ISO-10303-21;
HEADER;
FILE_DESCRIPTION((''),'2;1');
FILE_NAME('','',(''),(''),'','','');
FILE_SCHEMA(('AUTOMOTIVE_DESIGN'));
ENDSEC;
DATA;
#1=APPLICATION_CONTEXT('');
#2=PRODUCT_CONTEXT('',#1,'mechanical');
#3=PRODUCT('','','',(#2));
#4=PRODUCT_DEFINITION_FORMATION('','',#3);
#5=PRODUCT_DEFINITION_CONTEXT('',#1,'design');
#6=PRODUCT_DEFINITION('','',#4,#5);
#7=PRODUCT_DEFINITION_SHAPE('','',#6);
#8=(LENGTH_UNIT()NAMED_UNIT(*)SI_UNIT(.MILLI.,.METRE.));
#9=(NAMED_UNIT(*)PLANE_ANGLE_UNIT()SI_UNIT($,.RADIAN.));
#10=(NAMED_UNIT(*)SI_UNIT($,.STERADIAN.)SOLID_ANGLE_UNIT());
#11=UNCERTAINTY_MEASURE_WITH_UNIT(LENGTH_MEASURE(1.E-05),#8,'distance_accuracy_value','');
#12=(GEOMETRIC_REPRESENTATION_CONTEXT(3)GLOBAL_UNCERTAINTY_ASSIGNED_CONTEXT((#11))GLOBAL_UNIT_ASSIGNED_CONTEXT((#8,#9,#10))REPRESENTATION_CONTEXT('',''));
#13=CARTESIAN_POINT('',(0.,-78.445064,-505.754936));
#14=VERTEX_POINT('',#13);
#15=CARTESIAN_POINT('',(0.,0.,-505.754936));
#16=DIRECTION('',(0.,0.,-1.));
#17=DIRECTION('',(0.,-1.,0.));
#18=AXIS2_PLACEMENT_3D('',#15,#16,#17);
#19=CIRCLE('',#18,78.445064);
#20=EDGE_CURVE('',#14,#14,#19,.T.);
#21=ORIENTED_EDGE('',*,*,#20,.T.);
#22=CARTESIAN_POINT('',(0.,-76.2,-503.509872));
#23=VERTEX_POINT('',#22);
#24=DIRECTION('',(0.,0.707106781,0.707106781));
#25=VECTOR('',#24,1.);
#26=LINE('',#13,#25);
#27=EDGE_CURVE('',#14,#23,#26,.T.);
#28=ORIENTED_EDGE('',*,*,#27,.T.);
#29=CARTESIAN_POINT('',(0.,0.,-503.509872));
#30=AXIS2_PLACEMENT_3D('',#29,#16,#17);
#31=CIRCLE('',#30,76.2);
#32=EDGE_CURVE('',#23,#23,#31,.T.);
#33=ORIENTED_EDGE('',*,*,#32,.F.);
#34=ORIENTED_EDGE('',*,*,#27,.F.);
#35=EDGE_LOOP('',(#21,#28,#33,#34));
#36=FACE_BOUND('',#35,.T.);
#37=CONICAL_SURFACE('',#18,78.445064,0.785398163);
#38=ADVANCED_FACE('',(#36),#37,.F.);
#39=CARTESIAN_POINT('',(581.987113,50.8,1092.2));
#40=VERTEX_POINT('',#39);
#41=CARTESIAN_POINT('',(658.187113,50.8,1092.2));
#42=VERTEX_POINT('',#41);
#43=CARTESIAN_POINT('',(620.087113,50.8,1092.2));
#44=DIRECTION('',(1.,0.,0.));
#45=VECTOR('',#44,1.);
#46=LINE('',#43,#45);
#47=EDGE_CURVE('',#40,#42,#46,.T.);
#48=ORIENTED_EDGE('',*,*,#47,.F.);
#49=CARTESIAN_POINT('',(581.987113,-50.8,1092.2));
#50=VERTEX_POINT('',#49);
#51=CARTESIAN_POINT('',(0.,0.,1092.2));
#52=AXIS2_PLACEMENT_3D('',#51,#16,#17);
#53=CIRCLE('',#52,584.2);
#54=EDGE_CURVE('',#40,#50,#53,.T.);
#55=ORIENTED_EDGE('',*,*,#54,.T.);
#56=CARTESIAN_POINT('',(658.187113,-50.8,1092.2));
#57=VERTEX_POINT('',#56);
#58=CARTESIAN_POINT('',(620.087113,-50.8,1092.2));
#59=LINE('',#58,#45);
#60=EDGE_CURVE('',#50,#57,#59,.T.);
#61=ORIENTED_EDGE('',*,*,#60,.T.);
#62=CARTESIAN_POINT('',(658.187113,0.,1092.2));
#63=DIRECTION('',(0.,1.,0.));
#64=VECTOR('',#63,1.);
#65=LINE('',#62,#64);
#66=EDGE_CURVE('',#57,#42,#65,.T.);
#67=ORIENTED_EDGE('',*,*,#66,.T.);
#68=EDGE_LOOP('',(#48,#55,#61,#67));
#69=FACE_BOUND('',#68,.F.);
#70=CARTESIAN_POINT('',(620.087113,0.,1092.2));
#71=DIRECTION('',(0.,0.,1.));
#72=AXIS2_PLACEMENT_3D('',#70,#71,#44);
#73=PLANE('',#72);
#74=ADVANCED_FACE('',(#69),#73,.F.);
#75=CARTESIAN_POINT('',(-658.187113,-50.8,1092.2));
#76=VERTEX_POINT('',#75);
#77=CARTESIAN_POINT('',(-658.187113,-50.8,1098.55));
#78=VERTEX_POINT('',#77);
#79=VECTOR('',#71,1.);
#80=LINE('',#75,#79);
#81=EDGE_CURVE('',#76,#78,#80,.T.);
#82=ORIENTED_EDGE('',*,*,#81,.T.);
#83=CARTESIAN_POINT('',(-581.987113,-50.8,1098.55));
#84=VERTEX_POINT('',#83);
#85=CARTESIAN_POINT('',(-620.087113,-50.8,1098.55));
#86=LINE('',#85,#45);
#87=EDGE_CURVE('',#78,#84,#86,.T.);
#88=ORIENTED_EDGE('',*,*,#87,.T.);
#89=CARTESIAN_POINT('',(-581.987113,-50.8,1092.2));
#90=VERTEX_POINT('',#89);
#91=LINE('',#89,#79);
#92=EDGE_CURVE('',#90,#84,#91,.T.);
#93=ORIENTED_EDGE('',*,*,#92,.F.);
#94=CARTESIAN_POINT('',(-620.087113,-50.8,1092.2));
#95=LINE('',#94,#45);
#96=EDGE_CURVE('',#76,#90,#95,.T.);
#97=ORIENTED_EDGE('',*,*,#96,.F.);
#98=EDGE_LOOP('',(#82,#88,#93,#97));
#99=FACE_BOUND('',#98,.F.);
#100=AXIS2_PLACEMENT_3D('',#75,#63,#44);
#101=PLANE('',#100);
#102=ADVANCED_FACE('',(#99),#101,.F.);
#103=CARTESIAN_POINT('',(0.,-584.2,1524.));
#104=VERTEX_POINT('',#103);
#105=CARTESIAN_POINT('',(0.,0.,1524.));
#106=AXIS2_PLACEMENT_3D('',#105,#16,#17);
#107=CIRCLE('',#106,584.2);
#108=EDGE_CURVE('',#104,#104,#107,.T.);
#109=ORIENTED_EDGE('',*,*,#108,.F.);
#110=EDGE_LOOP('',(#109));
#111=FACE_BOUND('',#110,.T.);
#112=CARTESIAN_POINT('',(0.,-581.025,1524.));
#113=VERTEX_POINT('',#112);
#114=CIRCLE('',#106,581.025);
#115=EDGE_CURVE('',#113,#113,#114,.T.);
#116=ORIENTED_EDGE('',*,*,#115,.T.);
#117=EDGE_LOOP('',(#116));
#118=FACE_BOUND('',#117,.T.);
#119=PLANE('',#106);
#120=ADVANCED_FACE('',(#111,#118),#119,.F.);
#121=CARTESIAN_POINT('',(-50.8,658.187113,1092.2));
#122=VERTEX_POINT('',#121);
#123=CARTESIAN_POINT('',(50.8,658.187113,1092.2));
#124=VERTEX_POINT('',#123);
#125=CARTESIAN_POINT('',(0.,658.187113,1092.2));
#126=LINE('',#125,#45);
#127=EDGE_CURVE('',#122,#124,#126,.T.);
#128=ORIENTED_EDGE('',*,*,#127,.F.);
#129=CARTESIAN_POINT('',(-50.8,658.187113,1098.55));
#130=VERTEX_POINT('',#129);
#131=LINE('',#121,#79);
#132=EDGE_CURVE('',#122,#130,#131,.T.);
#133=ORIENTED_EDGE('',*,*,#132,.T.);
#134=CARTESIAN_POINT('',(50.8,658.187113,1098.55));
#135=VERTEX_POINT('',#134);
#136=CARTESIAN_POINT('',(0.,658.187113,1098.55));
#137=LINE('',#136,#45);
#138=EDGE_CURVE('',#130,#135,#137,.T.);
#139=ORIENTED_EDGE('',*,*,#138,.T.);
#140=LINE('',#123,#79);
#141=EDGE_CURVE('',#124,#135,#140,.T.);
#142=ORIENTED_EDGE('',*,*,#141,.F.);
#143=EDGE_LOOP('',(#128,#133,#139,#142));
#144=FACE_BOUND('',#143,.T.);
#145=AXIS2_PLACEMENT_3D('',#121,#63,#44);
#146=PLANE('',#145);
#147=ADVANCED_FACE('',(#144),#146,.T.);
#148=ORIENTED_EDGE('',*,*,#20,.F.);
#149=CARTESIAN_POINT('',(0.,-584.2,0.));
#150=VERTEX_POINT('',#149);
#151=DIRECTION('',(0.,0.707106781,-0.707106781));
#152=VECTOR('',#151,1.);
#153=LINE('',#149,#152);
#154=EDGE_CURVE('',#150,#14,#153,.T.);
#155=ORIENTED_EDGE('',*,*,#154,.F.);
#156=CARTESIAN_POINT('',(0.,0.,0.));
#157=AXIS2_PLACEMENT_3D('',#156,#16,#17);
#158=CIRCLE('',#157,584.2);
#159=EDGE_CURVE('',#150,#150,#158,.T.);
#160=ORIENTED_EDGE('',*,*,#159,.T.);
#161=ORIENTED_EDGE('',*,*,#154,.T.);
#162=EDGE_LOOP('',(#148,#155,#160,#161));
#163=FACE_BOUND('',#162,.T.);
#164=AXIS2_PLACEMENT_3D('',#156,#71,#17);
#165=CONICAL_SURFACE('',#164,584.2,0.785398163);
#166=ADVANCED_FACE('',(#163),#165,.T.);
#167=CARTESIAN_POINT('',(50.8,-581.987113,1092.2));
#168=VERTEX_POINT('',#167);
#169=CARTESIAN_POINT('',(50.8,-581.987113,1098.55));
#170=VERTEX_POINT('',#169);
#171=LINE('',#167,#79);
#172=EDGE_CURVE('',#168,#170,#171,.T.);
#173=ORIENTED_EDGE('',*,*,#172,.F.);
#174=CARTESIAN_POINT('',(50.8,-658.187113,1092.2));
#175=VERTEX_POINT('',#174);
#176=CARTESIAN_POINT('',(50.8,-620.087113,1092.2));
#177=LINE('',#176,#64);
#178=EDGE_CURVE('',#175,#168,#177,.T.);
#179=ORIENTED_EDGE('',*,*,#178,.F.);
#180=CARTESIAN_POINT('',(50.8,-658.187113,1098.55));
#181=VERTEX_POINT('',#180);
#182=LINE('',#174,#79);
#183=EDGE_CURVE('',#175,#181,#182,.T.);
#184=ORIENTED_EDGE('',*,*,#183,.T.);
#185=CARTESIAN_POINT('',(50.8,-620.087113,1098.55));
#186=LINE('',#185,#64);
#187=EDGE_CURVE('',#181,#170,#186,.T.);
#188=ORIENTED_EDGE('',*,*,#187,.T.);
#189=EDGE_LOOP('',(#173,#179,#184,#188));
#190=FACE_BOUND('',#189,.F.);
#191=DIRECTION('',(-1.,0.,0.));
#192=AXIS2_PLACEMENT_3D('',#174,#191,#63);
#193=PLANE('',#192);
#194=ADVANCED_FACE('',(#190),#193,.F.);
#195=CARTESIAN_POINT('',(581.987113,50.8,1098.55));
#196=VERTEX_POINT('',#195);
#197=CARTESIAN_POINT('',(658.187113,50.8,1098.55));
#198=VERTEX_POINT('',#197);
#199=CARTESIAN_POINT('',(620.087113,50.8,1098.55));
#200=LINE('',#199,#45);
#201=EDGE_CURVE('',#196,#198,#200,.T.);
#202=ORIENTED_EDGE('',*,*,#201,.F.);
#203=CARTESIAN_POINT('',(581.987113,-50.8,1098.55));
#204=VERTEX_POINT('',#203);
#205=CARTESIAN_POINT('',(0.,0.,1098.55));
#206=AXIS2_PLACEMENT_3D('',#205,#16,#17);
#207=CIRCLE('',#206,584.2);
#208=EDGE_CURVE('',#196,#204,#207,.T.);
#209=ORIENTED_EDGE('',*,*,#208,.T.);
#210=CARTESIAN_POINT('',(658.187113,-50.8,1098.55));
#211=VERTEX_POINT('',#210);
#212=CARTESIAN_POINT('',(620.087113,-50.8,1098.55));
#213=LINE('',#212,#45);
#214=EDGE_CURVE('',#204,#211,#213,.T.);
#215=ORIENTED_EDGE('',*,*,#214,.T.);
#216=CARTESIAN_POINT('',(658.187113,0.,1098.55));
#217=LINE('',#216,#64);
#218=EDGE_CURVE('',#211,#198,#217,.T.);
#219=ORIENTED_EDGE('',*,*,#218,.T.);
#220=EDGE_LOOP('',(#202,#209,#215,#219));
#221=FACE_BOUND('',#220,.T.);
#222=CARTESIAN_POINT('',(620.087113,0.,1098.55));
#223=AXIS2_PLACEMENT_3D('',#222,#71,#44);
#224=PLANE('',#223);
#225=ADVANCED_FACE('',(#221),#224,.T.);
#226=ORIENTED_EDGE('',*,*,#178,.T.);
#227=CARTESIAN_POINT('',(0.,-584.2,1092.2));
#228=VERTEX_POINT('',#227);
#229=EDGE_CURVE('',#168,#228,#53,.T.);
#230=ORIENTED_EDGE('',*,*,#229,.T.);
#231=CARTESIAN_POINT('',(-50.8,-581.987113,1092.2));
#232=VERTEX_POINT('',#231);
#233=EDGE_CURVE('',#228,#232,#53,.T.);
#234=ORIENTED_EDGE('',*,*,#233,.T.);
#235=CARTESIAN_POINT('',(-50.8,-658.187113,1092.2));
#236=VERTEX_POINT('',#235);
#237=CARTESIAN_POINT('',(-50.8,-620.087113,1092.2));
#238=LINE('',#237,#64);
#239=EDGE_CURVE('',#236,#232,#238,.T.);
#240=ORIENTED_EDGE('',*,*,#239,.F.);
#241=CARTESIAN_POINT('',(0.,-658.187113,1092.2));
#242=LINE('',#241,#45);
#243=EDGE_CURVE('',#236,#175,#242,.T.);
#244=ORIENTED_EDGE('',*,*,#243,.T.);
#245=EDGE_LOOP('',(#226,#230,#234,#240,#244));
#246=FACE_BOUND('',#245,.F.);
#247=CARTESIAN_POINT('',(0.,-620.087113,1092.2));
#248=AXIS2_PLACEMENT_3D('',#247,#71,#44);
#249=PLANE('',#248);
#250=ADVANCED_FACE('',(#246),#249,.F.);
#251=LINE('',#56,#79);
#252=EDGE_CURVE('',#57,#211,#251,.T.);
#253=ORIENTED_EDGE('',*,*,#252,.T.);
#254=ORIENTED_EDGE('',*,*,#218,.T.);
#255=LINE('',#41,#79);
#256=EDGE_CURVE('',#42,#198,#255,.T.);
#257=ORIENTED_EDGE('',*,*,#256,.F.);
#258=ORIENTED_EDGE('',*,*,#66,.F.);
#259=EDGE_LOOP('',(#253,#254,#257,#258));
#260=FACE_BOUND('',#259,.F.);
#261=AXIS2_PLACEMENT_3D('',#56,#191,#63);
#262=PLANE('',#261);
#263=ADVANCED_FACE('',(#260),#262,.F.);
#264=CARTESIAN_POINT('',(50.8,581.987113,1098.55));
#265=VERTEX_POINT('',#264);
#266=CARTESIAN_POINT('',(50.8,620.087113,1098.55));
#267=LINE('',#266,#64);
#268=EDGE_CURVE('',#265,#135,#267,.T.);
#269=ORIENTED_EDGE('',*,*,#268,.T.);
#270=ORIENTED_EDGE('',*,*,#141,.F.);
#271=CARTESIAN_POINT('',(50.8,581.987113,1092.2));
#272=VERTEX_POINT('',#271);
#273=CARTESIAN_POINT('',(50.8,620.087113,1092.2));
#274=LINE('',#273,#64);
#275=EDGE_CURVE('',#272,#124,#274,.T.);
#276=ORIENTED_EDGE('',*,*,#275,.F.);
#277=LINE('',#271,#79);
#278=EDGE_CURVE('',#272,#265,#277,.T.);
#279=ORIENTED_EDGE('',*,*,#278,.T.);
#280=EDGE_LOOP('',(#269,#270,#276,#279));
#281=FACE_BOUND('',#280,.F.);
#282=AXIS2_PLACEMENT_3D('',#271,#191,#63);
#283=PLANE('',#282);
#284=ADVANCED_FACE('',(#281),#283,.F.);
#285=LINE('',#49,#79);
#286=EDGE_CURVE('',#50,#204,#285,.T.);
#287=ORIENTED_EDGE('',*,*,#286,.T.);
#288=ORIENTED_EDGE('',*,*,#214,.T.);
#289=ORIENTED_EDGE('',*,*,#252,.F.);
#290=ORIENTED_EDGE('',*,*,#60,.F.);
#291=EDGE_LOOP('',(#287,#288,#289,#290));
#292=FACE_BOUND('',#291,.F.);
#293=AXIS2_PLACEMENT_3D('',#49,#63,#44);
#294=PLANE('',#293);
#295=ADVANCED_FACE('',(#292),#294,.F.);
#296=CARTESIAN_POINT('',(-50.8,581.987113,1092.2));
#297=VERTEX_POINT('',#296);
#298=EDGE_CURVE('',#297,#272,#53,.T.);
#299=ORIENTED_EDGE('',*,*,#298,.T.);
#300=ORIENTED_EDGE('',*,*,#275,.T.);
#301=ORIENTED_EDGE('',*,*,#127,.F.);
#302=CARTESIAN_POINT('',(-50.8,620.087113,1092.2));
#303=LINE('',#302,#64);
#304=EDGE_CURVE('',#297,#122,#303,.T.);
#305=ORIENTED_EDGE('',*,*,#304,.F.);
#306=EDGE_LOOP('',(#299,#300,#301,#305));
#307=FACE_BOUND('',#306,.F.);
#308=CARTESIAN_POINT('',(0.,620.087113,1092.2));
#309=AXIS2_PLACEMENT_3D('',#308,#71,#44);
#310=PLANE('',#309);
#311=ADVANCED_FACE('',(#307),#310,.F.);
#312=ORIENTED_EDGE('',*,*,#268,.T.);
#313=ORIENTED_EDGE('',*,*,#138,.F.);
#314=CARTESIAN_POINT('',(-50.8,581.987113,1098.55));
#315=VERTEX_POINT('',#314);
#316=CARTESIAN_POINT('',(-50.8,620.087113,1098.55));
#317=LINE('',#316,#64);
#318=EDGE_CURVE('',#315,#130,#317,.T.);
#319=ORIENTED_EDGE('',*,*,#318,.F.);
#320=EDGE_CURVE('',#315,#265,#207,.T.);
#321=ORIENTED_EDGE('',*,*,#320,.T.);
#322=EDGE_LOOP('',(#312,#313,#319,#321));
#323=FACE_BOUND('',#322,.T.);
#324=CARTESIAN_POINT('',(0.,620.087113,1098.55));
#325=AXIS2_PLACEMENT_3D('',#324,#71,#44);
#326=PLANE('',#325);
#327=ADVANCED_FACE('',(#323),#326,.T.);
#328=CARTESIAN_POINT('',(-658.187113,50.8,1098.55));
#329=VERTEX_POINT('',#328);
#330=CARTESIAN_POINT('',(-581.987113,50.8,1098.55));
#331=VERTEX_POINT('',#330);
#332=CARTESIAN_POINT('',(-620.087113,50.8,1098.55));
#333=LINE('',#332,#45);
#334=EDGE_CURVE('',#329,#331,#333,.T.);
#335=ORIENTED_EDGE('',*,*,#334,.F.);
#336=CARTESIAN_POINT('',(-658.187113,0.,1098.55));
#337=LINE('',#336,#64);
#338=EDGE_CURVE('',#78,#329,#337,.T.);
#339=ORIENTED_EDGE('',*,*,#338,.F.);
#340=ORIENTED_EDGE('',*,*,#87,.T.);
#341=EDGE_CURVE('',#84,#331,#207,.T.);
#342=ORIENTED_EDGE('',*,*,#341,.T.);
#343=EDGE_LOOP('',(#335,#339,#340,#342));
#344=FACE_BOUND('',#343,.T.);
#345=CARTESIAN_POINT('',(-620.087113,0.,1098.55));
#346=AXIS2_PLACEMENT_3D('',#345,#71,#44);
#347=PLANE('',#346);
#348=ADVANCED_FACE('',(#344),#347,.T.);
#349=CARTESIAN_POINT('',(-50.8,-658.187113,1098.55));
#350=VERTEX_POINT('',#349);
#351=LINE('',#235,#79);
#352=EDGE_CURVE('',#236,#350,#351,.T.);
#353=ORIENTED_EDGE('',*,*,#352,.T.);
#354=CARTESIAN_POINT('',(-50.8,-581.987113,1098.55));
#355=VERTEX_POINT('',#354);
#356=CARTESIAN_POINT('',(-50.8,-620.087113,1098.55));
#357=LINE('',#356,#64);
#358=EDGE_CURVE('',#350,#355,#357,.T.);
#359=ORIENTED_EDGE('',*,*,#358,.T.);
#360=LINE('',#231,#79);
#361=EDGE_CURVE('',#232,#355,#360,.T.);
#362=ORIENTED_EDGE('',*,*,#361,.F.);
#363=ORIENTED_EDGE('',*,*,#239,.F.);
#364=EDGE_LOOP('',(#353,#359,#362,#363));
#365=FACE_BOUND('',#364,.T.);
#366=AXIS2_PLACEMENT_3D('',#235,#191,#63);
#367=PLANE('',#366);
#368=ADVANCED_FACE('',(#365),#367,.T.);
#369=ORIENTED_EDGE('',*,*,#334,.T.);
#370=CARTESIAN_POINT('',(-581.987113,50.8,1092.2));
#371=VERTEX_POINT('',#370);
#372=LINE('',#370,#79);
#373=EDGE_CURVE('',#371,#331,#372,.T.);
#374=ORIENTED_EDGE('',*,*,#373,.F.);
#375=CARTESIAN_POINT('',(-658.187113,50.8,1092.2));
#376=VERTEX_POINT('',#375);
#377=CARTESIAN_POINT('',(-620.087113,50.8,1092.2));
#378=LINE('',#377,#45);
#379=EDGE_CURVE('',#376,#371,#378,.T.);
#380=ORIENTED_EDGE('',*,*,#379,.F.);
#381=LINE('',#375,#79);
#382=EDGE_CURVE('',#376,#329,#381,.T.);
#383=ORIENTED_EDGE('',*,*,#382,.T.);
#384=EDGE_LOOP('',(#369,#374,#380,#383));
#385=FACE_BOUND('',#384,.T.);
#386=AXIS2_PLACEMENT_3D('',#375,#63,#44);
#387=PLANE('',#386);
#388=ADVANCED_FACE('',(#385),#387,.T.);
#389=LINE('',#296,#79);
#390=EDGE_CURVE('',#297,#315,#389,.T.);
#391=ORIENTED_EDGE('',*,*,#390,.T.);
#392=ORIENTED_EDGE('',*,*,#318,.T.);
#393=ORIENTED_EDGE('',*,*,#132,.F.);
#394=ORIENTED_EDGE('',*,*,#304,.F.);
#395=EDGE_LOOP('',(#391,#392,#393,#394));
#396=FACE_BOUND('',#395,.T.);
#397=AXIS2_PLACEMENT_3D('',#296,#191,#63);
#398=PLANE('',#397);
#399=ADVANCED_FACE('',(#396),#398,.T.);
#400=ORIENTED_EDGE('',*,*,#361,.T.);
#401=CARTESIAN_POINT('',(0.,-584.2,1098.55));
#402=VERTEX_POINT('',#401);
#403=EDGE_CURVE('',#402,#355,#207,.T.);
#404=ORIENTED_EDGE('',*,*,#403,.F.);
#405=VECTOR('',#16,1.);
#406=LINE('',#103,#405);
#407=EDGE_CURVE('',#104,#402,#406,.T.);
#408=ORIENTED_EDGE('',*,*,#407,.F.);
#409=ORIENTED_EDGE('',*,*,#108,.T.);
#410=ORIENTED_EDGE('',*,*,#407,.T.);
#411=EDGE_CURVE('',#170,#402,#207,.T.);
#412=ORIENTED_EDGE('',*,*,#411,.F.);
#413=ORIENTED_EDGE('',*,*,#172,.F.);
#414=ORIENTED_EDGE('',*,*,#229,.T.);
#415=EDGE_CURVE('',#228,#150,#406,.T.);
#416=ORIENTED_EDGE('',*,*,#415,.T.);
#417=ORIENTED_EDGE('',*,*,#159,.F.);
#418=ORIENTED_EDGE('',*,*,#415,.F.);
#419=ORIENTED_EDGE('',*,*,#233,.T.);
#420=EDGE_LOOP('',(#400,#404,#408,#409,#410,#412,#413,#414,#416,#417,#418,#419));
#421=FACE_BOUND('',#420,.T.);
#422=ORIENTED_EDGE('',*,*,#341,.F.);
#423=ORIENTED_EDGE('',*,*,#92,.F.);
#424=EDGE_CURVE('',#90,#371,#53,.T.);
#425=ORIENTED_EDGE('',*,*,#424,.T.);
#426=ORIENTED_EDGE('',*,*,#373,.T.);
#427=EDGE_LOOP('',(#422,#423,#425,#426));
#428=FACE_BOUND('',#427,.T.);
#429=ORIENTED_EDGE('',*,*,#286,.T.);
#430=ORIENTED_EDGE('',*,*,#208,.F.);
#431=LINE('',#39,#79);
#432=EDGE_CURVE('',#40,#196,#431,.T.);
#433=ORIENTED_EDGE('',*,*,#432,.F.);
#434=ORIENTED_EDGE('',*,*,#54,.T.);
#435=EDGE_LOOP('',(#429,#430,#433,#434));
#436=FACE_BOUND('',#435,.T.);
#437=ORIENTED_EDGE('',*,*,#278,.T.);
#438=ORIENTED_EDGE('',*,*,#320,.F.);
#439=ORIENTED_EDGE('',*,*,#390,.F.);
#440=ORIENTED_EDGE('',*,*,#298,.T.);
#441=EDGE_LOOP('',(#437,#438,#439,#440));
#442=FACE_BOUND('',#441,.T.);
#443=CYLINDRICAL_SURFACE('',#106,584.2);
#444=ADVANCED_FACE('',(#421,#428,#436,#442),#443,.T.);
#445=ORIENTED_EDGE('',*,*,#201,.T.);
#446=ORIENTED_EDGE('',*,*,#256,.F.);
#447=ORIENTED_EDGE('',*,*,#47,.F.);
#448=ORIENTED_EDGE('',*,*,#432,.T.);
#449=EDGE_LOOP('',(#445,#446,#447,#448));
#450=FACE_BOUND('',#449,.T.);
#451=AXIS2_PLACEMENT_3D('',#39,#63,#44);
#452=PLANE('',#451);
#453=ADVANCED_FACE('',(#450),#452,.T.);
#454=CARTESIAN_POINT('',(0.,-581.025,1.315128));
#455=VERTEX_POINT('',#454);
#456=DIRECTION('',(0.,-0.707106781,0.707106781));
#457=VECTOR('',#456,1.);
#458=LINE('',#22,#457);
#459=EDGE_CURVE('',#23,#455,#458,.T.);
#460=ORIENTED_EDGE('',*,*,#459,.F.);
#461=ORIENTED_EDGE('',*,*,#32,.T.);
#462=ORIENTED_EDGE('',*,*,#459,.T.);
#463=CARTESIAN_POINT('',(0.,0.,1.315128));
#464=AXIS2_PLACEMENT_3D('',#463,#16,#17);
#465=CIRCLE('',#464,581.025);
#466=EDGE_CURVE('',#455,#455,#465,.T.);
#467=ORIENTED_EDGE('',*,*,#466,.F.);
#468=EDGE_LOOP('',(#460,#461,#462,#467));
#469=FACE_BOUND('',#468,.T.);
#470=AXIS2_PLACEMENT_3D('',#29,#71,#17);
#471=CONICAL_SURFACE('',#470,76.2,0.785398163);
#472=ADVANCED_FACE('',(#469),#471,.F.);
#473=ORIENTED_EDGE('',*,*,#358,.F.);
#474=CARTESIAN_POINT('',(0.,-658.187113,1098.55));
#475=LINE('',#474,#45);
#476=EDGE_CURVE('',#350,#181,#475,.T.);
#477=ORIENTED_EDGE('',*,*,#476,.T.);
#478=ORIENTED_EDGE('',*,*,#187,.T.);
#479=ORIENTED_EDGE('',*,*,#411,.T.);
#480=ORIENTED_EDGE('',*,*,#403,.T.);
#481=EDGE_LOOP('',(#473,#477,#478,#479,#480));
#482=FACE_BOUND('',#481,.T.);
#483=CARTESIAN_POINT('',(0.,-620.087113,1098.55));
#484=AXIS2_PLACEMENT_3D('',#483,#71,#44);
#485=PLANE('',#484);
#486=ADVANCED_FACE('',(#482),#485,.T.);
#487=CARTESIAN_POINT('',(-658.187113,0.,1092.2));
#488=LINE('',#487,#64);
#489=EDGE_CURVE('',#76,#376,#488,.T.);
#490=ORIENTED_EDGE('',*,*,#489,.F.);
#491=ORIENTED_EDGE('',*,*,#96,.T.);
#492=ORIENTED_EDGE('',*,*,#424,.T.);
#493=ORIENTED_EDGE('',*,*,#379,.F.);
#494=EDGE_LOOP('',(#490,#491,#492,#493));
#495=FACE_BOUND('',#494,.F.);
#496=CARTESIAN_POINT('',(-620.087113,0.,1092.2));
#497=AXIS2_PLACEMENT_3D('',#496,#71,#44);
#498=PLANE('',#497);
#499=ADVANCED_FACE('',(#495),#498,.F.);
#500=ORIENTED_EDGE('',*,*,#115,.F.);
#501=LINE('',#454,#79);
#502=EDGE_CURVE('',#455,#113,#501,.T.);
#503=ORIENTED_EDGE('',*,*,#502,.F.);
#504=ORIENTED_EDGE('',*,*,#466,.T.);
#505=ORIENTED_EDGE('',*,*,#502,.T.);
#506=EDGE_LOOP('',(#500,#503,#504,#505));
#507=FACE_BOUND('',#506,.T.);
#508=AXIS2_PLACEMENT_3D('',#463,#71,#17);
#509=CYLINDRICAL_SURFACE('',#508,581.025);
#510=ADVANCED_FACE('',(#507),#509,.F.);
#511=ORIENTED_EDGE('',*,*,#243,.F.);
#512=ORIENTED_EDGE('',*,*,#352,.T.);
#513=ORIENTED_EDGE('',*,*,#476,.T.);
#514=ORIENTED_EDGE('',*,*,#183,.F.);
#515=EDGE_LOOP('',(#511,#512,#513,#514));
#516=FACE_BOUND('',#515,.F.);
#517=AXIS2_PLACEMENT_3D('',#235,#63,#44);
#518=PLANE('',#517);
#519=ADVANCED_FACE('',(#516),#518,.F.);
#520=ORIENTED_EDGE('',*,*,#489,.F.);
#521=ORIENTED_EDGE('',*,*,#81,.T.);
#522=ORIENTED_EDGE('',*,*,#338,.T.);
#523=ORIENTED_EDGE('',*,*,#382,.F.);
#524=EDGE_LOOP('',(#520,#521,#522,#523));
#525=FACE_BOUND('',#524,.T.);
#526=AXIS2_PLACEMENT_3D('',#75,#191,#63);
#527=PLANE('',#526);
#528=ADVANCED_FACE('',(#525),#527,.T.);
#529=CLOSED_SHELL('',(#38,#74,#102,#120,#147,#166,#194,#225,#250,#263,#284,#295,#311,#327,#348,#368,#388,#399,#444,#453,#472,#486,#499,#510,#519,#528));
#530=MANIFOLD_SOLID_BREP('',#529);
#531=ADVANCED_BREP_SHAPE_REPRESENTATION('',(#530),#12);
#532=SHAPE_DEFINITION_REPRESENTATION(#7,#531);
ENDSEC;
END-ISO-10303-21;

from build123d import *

# Parameters (mm, degrees)
F3_W     = 101.6
F3_H     = 76.2
F3_W_2   = 76.2
F3_H_2   = 101.6
F4_DEPTH = 6.35


with BuildPart() as f1:
    # F0 (on Right) → F1 (revolve)
    with BuildSketch(Plane.YZ):
        Polygon((-581.025, 1524), (-584.2, 1524), (-584.2, 0), (-78.445064, -505.754936), (-76.2, -503.509872), (-581.025, 1.315128), align=None)
    revolve(axis=Axis((0, 0, 0), (0, 0, -1)))

    # F3 (on offset) → F4 (join)
    with BuildSketch(Plane.XY.offset(1092.2)):
        with Locations((0, 620.087113)):
            Rectangle(F3_W, F3_H)
        with Locations((-620.087113, 0)):
            Rectangle(F3_W_2, F3_H_2)
        with Locations((0, -620.087113)):
            Rectangle(F3_W, F3_H)
        with Locations((620.087113, 0)):
            Rectangle(F3_W_2, F3_H_2)
    extrude(amount=F4_DEPTH)


solid = f1.part
